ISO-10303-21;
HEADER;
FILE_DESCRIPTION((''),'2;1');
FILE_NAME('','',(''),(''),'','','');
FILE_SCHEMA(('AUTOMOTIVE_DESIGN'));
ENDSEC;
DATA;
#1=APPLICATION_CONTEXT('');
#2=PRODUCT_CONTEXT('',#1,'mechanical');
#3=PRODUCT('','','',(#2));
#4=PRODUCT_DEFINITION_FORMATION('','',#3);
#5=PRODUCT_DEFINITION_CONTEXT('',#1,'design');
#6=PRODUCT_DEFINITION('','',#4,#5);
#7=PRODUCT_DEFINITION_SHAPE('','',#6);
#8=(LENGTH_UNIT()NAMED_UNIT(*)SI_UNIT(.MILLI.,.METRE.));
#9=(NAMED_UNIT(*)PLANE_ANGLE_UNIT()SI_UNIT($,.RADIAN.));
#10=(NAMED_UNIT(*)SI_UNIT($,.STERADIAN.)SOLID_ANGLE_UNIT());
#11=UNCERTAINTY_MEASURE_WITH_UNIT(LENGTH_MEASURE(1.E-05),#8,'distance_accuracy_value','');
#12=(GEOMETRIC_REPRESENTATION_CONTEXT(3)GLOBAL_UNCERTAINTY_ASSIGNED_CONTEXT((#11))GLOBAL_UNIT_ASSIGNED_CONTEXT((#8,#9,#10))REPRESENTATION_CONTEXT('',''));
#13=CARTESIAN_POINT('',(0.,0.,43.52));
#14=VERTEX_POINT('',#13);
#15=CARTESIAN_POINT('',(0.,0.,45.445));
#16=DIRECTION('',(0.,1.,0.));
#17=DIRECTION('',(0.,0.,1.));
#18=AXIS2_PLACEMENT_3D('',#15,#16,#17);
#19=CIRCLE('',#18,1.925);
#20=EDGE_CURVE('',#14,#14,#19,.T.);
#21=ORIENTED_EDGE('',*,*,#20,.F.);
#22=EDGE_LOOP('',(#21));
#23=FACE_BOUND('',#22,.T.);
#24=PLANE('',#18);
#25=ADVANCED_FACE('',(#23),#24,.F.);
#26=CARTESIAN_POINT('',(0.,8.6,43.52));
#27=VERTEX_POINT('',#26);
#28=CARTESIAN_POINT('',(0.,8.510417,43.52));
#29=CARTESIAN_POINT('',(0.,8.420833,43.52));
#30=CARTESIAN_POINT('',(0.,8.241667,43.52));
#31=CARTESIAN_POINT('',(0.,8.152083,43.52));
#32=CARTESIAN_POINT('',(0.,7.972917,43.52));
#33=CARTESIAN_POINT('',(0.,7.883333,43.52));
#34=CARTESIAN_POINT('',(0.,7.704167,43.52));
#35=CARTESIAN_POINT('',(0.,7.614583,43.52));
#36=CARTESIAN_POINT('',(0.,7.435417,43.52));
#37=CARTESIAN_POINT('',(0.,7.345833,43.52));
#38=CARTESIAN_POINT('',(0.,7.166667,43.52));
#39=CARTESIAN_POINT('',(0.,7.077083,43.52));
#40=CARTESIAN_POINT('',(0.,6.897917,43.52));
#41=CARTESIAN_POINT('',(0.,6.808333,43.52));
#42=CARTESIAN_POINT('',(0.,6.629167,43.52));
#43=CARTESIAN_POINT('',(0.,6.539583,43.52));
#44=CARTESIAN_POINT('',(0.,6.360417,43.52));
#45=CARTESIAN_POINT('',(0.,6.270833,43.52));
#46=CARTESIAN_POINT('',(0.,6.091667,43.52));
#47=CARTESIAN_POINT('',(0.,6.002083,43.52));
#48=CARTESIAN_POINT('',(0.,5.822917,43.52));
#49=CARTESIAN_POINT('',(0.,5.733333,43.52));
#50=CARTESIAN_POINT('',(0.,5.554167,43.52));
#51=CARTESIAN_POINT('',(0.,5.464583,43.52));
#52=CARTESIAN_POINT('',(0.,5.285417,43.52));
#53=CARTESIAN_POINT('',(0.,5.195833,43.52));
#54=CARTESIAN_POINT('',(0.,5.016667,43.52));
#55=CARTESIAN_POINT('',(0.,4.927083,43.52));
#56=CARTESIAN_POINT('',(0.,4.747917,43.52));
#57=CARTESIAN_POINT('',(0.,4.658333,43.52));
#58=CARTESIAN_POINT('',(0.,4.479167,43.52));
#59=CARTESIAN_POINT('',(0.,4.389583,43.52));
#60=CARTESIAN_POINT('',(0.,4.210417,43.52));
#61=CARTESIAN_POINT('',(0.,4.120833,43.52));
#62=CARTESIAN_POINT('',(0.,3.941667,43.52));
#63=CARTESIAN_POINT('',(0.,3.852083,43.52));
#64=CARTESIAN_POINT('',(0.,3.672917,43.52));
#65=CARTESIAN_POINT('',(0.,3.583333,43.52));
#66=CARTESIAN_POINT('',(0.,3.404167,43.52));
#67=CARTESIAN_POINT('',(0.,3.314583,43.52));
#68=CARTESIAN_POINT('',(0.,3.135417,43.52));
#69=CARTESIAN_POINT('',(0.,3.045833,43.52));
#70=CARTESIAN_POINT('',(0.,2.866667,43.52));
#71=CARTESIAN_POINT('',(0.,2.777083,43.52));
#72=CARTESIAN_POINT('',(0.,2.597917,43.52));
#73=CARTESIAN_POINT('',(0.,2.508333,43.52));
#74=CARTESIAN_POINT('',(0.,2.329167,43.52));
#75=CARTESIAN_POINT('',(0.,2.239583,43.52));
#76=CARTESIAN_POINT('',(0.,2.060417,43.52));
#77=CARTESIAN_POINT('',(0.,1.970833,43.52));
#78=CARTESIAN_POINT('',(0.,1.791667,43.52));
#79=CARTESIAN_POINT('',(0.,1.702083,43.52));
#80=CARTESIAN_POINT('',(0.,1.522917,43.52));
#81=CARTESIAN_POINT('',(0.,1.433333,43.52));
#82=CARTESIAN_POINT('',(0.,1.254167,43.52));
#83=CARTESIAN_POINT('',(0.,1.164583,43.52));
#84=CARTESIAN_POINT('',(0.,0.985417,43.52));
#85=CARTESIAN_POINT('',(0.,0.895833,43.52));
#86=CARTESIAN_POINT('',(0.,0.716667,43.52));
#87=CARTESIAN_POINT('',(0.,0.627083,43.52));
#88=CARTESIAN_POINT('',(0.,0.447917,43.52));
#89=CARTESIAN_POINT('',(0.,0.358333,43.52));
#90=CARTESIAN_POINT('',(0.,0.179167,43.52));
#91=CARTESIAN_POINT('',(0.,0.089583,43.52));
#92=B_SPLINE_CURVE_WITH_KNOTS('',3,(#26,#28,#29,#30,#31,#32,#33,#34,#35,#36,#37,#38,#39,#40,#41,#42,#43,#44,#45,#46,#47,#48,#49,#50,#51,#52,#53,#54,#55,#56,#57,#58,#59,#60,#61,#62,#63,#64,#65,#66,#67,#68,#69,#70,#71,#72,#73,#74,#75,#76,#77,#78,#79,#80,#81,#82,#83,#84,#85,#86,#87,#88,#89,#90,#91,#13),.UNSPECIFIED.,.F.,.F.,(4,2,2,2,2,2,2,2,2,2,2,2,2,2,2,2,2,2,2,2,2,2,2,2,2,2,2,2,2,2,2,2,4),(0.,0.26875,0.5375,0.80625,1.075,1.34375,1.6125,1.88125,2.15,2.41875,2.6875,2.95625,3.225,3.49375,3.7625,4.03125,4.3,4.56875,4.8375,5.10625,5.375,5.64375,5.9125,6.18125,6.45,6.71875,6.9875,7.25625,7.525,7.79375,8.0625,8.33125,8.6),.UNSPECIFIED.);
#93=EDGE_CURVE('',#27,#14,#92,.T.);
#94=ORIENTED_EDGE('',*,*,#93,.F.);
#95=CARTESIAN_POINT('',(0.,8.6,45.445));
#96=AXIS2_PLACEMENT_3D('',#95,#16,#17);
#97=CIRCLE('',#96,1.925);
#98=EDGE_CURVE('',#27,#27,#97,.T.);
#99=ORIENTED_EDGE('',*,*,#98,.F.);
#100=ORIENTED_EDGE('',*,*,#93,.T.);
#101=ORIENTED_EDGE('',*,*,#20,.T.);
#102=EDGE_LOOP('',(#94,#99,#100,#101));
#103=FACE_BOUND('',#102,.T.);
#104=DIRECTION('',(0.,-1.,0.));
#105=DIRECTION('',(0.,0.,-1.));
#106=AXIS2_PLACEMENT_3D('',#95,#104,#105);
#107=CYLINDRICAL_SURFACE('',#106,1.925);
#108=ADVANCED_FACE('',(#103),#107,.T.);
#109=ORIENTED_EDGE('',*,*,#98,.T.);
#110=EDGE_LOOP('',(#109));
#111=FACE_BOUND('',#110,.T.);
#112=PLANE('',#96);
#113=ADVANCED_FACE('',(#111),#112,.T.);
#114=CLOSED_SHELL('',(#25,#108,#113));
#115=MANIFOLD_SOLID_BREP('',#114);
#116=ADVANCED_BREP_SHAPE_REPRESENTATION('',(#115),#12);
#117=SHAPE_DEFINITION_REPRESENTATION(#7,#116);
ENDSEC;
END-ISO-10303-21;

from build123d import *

# Parameters (mm, degrees)
SKETCH1_R           = 1.925
BOSS_EXTRUDE1_DEPTH = 8.6


with BuildPart() as part:
    # Sketch1 → Boss-Extrude1 (new body)
    with BuildSketch(Plane(origin=(0, 0, 0), x_dir=(1, 0, 0), z_dir=(0, 1, 0))):
        with Locations(Location((0, -45.445, 0), (0, 0, 90))):
            Circle(SKETCH1_R)
    extrude(amount=BOSS_EXTRUDE1_DEPTH)


solid = part.part
